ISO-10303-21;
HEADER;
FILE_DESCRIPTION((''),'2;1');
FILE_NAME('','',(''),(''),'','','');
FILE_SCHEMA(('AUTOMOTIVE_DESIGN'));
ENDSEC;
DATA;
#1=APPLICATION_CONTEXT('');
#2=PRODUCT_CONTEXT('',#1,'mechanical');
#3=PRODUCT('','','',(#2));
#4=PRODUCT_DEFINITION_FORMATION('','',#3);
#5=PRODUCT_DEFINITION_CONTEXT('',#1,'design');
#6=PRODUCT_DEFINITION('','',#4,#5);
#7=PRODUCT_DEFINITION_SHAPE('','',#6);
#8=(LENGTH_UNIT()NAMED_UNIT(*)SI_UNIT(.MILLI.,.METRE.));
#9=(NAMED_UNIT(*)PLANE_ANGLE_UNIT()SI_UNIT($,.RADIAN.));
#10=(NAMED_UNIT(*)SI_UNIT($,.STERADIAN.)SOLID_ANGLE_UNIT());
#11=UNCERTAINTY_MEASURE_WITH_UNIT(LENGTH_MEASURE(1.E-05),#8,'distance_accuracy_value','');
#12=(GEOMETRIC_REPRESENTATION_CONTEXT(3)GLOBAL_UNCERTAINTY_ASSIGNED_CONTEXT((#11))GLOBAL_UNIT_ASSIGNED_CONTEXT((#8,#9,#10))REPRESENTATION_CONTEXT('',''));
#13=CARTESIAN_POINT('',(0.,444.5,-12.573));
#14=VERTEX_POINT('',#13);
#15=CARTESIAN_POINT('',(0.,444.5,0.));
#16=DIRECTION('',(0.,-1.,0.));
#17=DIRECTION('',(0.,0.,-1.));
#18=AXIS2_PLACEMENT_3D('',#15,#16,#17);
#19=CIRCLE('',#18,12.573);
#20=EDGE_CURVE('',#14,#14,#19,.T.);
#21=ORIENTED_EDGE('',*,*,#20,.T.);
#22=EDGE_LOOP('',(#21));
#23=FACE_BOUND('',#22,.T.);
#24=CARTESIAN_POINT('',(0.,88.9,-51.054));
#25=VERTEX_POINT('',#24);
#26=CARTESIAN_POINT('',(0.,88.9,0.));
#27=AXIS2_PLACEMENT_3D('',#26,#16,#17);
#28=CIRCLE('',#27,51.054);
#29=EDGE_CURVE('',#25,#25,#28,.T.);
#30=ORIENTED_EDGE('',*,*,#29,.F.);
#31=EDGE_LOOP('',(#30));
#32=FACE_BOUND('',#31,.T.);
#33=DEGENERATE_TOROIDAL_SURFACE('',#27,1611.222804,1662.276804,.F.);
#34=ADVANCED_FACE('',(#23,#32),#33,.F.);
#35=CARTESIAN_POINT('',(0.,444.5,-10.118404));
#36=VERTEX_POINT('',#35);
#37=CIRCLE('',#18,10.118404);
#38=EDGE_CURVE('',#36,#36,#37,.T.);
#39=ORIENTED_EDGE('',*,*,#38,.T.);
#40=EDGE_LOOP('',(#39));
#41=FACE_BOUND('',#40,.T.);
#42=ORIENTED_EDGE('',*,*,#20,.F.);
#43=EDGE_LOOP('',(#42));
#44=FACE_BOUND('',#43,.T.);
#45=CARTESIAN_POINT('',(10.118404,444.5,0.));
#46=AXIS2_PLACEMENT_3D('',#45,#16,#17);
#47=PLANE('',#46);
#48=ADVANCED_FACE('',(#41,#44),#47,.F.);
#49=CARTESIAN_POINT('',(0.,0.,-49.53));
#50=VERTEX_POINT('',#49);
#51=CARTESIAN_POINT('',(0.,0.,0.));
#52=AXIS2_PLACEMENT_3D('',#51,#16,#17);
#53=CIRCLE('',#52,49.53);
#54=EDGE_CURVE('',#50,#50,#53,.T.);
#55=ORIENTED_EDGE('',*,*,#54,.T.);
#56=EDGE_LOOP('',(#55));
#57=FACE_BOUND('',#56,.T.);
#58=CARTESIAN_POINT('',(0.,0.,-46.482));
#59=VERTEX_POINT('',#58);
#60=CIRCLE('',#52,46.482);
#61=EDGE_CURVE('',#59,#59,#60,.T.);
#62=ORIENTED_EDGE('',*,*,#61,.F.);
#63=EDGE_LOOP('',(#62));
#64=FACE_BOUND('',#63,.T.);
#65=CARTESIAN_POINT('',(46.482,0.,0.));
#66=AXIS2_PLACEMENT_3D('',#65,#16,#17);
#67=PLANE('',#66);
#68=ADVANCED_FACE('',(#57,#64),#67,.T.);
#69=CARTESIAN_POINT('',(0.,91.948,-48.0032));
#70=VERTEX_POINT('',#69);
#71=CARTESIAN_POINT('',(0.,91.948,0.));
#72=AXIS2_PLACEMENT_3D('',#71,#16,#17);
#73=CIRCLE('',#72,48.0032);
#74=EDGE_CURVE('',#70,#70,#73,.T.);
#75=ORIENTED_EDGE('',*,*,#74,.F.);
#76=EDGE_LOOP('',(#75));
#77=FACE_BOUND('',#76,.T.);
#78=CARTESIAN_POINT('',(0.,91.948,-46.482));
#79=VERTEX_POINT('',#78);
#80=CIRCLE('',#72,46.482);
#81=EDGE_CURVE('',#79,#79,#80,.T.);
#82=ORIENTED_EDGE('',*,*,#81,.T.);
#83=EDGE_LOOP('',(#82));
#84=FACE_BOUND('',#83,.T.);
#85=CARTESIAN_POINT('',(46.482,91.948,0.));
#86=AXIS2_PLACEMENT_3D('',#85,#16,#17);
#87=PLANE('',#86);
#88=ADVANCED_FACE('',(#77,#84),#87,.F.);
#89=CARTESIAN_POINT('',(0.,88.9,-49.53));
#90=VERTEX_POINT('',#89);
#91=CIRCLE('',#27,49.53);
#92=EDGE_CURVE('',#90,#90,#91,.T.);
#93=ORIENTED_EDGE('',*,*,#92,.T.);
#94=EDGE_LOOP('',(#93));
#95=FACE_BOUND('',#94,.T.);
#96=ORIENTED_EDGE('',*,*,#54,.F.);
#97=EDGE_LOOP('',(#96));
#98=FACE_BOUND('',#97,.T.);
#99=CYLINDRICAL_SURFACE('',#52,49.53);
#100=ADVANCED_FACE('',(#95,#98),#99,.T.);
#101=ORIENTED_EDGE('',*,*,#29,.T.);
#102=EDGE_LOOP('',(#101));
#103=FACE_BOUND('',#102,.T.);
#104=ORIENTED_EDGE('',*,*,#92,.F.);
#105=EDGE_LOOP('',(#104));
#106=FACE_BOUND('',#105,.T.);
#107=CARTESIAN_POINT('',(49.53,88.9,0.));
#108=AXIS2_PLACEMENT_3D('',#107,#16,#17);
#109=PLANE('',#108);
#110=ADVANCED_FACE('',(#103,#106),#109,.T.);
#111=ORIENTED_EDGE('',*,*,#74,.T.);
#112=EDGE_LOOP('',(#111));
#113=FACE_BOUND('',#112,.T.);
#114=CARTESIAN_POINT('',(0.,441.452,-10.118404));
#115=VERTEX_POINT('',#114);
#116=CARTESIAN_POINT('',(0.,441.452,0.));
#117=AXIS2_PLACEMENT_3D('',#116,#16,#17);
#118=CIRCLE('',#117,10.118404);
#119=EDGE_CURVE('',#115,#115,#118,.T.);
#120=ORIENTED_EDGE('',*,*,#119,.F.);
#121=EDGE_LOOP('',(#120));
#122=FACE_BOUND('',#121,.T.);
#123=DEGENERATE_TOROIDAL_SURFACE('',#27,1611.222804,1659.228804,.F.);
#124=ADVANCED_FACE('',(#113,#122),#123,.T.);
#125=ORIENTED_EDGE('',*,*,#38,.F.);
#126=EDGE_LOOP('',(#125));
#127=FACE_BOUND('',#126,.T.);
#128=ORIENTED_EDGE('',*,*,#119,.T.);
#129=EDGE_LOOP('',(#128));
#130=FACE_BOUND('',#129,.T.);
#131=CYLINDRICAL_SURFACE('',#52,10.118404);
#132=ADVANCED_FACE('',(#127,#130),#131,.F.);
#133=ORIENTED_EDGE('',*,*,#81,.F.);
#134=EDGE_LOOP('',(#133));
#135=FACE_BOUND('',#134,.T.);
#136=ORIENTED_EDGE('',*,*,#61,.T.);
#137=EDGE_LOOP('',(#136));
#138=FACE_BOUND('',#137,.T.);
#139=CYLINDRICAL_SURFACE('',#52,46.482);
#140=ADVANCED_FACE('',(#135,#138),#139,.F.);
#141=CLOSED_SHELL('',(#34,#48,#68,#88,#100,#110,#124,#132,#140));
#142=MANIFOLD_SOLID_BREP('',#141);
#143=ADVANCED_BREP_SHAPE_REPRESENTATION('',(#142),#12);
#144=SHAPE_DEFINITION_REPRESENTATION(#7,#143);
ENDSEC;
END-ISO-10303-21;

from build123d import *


with BuildPart() as part:
    # Sketch2 → Revolve1 (revolve)
    with BuildSketch(Plane.XY, mode=Mode.PRIVATE) as revolve1_sk:
        with BuildLine():
            Line((46.482, 0), (46.482, 91.948))
            Line((46.482, 91.948), (48.003200413, 91.948))
            ThreePointArc((48.003200413, 91.948), (38.343372168, 267.70619245), (10.118403547, 441.452))
            Line((10.118403547, 441.452), (10.118403547, 444.5))
            Line((10.118403547, 444.5), (12.573, 444.5))
            ThreePointArc((12.573, 444.5), (41.405749629, 267.738018442), (51.054, 88.9))
            Line((51.054, 88.9), (49.53, 88.9))
            Line((49.53, 88.9), (49.53, 0))
            Line((49.53, 0), (46.482, 0))
        make_face()
    revolve(revolve1_sk.sketch.rotate(Axis((0, 0, 0), (0, 1, 0)), 90), axis=Axis((0, 0, 0), (0, 1, 0)))


solid = part.part
